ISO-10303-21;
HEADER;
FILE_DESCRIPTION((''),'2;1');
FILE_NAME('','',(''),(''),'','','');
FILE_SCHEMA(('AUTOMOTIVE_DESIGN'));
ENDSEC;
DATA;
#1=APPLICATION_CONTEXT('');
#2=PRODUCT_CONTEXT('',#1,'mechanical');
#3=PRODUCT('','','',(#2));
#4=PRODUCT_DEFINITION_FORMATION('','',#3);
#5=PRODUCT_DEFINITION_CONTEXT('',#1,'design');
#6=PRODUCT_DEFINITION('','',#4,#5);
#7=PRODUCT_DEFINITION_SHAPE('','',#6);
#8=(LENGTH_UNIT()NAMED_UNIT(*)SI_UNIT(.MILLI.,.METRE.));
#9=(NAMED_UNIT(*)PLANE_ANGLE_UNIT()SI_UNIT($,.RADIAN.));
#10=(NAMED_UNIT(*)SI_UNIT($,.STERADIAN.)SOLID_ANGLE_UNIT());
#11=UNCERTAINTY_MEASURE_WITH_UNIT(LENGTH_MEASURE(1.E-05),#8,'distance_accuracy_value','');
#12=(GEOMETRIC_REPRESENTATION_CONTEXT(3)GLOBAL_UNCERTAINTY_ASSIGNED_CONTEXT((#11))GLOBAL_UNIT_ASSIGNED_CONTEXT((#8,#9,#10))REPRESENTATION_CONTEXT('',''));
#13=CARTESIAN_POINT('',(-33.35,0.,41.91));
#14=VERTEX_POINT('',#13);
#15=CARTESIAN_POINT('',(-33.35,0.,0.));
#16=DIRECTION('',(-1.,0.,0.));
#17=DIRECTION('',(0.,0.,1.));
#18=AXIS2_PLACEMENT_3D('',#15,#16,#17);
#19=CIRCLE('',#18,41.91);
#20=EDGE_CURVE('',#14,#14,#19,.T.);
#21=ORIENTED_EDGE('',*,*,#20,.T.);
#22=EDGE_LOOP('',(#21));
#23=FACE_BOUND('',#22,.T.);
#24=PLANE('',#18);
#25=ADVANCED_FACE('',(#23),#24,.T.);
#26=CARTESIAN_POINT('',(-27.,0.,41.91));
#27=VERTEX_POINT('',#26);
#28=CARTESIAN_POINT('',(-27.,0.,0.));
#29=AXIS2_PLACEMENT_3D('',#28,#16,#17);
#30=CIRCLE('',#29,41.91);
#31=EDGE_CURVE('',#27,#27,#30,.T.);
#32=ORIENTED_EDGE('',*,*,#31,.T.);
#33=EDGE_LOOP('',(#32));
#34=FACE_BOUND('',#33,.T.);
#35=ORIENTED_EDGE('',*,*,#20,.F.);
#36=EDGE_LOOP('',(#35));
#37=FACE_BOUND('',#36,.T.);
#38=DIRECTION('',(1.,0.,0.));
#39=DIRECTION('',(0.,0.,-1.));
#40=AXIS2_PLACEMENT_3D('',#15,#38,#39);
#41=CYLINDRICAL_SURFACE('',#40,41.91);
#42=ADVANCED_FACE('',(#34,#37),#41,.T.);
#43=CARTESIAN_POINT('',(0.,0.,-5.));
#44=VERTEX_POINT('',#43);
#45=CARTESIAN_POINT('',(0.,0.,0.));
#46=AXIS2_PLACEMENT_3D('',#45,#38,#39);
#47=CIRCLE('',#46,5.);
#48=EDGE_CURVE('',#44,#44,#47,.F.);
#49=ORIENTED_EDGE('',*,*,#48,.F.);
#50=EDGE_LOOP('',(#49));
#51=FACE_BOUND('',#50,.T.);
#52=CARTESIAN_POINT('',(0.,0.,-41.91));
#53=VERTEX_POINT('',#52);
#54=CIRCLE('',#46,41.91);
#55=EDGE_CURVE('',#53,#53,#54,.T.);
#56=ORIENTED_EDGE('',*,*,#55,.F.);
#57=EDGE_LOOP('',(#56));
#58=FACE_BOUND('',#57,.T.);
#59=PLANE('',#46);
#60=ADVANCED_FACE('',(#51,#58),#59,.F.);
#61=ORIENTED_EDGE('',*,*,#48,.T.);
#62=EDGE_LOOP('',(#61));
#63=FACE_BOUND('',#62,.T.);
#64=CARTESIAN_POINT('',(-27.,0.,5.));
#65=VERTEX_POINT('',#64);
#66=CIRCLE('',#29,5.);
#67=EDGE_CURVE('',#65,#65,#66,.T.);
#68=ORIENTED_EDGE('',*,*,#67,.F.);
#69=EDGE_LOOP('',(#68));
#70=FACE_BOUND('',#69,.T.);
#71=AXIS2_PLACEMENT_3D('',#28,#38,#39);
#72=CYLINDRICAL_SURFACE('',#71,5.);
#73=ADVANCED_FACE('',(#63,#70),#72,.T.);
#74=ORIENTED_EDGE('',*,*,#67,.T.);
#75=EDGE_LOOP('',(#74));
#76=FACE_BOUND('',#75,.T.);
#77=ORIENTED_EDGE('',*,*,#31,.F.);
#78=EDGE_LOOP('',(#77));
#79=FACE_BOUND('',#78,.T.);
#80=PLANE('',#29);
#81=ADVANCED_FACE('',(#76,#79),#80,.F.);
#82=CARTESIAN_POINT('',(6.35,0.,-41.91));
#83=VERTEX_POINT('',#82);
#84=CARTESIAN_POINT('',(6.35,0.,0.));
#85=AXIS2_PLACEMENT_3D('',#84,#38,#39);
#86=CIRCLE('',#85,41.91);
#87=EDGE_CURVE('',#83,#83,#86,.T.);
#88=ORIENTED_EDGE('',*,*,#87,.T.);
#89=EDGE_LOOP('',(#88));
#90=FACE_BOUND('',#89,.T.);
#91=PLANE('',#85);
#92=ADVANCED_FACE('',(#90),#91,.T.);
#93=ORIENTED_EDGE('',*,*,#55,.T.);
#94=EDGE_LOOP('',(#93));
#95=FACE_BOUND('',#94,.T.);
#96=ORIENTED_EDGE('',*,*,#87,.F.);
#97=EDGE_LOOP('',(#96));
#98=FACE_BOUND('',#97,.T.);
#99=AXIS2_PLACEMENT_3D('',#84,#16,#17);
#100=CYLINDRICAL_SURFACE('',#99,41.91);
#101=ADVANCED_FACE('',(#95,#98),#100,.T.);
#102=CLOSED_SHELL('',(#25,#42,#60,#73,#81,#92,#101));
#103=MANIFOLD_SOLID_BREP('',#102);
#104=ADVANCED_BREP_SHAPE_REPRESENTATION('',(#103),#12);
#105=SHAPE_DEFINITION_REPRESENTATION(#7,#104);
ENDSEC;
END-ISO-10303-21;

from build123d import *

# Parameters (mm, degrees)
SKETCH4_R           = 41.91
BOSS_EXTRUDE1_DEPTH = 6.35
SKETCH5_R           = 5
BOSS_EXTRUDE4_DEPTH = 27
BOSS_EXTRUDE5_START = 6.35
SKETCH7_R           = 41.91
BOSS_EXTRUDE5_DEPTH = 6.35


with BuildPart() as part:
    # Sketch4 → Boss-Extrude1 (new body)
    with BuildSketch(Plane(origin=(0, 0, 0), x_dir=(0, 0, -1), z_dir=(1, 0, 0))):
        Circle(SKETCH4_R)
    extrude(amount=BOSS_EXTRUDE1_DEPTH)

    # Sketch5 → Boss-Extrude4 (add)
    with BuildSketch(Plane.ZY):
        with Locations(Location((0, 0, 0), (0, 0, 180))):
            Circle(SKETCH5_R)
    extrude(amount=BOSS_EXTRUDE4_DEPTH)

    # Sketch7 → Boss-Extrude5 (add)
    with BuildSketch(Plane.ZY.offset(27).offset(BOSS_EXTRUDE5_START)):
        with Locations(Location((0, 0, 0), (0, 0, 180))):
            Circle(SKETCH7_R)
    extrude(amount=-BOSS_EXTRUDE5_DEPTH)


solid = part.part
